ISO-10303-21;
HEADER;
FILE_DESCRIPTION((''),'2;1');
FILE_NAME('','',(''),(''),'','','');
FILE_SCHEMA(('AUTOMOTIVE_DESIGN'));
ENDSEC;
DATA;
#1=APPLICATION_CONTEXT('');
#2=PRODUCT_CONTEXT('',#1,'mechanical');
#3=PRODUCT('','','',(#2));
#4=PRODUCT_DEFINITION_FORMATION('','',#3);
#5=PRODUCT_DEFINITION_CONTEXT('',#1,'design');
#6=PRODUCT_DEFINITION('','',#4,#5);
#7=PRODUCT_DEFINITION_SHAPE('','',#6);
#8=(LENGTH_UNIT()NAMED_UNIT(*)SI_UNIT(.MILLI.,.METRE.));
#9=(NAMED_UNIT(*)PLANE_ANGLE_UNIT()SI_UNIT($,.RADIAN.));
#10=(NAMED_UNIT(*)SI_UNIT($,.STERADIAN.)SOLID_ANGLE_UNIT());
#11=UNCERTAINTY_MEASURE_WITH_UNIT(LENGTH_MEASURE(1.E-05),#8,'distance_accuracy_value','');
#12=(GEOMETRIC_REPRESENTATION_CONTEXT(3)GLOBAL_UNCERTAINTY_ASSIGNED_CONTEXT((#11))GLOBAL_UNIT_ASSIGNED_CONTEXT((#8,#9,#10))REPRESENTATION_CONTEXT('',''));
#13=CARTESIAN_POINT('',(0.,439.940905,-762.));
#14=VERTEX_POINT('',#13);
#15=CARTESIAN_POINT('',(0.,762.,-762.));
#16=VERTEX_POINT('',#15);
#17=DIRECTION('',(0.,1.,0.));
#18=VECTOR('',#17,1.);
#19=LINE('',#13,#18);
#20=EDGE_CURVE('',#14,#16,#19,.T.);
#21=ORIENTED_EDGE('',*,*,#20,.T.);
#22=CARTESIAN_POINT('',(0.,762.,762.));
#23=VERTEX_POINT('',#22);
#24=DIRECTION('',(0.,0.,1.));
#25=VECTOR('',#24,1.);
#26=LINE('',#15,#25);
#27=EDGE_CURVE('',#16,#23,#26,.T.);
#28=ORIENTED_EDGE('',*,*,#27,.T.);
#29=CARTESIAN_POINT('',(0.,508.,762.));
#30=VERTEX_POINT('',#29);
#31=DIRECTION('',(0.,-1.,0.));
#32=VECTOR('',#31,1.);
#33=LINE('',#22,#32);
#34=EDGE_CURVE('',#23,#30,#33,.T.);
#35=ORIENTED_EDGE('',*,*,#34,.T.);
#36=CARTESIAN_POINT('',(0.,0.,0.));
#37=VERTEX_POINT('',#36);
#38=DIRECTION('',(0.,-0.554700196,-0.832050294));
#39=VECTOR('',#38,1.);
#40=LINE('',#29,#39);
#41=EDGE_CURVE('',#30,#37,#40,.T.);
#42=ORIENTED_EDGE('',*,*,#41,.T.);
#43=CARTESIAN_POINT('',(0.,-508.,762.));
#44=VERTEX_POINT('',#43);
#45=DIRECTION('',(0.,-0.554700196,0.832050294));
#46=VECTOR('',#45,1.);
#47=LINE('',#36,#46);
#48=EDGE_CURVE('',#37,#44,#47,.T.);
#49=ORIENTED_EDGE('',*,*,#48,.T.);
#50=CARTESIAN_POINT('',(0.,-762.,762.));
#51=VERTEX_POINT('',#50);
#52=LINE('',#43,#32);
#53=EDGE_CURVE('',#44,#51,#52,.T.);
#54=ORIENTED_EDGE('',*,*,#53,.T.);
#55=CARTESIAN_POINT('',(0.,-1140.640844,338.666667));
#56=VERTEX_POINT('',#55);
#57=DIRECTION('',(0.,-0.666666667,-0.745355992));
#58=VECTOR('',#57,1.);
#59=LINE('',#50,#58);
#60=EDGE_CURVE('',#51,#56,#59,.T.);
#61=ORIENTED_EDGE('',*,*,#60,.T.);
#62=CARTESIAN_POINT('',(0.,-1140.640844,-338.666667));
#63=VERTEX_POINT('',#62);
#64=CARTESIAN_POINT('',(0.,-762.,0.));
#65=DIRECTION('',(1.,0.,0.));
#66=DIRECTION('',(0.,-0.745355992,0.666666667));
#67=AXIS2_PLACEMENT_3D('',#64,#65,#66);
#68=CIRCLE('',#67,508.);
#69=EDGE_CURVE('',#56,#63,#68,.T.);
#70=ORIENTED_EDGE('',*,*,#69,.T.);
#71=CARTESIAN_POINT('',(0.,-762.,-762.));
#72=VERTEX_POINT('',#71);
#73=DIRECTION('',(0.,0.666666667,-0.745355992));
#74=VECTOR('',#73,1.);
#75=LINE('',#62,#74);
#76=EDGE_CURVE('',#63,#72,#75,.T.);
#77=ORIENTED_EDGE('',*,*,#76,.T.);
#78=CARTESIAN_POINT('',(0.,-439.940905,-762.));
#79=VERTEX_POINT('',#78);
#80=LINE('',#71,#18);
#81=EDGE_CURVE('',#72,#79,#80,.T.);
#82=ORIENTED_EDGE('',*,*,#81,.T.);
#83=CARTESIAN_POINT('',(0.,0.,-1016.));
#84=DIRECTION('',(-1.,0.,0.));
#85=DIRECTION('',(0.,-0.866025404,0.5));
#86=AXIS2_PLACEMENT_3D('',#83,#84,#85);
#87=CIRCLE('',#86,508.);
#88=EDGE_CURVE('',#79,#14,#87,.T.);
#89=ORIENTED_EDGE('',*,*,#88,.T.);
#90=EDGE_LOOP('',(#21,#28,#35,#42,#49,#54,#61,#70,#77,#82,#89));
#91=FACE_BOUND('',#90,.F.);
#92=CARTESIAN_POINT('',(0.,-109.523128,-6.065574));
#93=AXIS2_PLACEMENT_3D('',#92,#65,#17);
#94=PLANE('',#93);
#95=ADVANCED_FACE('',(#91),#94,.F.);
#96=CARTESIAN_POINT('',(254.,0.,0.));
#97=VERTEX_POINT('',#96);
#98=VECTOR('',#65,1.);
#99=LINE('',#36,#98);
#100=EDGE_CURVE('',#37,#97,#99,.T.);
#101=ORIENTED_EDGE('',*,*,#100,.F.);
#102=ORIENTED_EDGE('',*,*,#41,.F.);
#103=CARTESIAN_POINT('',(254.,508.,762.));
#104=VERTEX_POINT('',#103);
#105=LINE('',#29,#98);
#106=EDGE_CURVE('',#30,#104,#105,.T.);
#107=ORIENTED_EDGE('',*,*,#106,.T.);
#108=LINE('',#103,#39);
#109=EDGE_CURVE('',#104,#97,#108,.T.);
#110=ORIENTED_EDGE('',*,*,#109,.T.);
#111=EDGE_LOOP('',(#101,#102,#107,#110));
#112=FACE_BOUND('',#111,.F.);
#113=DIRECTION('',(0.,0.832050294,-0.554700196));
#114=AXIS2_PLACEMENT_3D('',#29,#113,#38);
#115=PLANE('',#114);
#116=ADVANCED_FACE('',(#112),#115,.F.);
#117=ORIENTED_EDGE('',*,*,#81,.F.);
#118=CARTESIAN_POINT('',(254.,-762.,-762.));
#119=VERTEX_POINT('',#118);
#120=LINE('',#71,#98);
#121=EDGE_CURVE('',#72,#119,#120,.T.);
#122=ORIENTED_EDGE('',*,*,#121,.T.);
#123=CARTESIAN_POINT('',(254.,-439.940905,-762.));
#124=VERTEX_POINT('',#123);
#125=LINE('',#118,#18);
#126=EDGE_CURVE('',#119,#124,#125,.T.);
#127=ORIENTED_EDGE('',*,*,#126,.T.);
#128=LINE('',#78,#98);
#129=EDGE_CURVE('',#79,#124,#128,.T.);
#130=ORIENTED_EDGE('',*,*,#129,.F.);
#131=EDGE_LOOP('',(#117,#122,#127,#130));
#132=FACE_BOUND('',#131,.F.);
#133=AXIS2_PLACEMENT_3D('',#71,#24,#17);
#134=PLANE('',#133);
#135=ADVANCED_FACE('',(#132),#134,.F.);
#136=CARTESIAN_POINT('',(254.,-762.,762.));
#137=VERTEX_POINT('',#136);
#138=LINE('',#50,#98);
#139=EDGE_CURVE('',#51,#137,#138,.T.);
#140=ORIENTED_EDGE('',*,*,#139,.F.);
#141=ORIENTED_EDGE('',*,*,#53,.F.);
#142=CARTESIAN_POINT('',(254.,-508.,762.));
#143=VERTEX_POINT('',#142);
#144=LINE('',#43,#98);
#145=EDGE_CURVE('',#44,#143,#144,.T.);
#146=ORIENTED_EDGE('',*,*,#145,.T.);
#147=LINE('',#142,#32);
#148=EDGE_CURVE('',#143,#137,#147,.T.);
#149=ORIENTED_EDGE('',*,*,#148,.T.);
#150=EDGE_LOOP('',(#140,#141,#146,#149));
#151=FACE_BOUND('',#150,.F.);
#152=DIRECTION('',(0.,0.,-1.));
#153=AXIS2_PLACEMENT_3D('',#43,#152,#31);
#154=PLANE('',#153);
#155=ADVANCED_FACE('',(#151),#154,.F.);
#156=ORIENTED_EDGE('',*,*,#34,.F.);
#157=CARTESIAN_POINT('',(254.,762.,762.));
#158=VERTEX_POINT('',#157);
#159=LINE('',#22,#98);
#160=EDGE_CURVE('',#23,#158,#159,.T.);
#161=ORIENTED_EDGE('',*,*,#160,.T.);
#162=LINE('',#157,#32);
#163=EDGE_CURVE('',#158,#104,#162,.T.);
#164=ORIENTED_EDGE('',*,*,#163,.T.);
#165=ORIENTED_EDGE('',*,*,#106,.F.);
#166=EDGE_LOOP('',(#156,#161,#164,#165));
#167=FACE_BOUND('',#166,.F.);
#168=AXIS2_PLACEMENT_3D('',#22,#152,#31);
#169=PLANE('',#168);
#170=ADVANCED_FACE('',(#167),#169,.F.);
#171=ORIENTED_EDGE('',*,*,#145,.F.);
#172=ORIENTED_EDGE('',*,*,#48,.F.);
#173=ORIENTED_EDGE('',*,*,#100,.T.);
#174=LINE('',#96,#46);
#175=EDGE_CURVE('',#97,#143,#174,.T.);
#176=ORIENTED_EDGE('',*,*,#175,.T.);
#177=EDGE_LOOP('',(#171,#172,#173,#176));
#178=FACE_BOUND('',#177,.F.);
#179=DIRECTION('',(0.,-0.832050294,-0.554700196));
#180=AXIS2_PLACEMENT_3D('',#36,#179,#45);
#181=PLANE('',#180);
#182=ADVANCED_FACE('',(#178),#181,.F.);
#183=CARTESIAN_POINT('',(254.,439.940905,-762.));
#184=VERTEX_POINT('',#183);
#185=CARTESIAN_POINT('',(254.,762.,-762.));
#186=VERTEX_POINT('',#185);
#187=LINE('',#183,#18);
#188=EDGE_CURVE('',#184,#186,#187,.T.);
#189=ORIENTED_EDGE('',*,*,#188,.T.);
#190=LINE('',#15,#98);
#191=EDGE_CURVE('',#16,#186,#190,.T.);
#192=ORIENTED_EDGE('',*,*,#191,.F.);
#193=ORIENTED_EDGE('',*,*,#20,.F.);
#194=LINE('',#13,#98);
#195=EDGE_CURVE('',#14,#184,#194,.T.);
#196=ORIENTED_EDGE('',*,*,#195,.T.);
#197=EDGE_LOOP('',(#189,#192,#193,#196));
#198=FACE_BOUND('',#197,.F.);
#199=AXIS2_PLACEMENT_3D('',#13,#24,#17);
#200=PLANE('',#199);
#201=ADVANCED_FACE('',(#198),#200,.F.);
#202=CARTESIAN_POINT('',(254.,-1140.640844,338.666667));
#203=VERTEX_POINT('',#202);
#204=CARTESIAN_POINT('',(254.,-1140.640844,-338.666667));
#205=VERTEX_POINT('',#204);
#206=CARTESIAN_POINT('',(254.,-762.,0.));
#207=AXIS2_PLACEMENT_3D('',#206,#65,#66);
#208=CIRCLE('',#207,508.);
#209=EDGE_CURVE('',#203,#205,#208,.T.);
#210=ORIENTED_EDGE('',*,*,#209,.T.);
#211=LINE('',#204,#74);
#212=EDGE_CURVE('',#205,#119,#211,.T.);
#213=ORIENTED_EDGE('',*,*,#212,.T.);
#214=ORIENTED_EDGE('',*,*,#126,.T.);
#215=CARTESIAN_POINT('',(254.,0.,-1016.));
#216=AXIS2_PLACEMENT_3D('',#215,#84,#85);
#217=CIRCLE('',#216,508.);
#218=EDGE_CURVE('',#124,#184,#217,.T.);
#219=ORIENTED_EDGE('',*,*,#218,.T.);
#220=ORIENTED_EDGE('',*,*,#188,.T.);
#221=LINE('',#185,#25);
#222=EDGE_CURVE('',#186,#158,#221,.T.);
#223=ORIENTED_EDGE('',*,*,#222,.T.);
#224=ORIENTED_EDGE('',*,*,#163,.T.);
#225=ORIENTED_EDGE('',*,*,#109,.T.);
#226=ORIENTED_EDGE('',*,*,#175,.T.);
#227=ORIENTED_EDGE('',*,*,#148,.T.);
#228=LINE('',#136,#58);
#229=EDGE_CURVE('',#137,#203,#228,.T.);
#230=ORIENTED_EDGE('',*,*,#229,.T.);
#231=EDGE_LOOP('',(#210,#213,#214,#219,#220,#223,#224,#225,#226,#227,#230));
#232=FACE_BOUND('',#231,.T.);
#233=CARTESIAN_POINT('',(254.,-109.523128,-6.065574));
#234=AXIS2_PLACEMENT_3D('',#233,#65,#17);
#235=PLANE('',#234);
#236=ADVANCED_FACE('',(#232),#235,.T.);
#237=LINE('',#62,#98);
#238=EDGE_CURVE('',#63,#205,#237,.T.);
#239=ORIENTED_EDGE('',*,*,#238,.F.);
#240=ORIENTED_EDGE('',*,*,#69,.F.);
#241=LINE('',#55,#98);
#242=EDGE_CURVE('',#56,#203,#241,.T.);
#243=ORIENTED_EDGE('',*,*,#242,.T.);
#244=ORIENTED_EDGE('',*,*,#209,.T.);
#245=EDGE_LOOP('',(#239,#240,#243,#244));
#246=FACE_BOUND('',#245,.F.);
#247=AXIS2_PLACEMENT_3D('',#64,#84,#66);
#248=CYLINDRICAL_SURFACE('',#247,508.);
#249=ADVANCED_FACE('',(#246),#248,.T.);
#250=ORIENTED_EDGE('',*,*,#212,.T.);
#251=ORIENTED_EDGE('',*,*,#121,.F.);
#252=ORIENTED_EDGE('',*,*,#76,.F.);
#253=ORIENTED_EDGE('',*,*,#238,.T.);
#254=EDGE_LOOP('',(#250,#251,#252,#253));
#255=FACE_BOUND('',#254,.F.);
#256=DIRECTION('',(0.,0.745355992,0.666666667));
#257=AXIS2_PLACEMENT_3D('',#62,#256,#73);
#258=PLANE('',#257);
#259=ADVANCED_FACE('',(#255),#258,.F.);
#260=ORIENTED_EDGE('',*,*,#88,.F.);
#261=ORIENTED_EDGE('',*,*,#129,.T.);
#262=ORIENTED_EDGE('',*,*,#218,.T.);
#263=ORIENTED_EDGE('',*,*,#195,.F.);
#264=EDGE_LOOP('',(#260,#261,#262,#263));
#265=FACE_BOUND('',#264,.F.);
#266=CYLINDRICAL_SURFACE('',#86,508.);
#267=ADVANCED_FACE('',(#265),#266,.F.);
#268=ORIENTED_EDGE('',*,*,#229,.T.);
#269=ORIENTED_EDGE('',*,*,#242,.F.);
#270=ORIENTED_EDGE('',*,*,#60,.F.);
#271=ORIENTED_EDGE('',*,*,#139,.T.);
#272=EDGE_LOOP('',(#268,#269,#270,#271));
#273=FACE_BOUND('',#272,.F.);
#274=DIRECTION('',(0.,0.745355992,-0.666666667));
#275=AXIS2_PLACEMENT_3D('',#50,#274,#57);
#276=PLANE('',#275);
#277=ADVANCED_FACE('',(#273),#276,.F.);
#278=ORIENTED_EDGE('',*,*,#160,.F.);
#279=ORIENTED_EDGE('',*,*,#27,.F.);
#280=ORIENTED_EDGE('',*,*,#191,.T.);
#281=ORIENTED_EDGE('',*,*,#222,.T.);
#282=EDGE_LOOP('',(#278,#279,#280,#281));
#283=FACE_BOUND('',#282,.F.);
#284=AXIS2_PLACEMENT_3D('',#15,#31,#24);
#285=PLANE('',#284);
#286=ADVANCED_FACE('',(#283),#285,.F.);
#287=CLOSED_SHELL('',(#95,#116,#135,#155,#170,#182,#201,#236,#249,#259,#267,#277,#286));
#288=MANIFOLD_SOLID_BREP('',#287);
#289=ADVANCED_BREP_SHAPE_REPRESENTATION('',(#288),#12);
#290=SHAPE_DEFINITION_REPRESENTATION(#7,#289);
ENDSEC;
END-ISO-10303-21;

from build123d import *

# Parameters (mm, degrees)
F1_DEPTH = 254


with BuildPart() as f1:
    # F0 (on Right) → F1 (new body)
    with BuildSketch(Plane.YZ):
        with BuildLine():
            Line((508, 762), (0, 0))
            Line((0, 0), (-508, 762))
            Line((-508, 762), (-762, 762))
            Line((-762, 762), (-1140.640844, 338.666667))
            ThreePointArc((-1140.640844, 338.666667), (-1270, 0), (-1140.640844, -338.666667))
            Line((-1140.640844, -338.666667), (-762, -762))
            Line((-762, -762), (-439.940905, -762))
            ThreePointArc((-439.940905, -762), (0, -508), (439.940905, -762))
            Line((439.940905, -762), (762, -762))
            Line((762, -762), (762, 762))
            Line((762, 762), (508, 762))
        make_face()
    extrude(amount=F1_DEPTH)


solid = f1.part
